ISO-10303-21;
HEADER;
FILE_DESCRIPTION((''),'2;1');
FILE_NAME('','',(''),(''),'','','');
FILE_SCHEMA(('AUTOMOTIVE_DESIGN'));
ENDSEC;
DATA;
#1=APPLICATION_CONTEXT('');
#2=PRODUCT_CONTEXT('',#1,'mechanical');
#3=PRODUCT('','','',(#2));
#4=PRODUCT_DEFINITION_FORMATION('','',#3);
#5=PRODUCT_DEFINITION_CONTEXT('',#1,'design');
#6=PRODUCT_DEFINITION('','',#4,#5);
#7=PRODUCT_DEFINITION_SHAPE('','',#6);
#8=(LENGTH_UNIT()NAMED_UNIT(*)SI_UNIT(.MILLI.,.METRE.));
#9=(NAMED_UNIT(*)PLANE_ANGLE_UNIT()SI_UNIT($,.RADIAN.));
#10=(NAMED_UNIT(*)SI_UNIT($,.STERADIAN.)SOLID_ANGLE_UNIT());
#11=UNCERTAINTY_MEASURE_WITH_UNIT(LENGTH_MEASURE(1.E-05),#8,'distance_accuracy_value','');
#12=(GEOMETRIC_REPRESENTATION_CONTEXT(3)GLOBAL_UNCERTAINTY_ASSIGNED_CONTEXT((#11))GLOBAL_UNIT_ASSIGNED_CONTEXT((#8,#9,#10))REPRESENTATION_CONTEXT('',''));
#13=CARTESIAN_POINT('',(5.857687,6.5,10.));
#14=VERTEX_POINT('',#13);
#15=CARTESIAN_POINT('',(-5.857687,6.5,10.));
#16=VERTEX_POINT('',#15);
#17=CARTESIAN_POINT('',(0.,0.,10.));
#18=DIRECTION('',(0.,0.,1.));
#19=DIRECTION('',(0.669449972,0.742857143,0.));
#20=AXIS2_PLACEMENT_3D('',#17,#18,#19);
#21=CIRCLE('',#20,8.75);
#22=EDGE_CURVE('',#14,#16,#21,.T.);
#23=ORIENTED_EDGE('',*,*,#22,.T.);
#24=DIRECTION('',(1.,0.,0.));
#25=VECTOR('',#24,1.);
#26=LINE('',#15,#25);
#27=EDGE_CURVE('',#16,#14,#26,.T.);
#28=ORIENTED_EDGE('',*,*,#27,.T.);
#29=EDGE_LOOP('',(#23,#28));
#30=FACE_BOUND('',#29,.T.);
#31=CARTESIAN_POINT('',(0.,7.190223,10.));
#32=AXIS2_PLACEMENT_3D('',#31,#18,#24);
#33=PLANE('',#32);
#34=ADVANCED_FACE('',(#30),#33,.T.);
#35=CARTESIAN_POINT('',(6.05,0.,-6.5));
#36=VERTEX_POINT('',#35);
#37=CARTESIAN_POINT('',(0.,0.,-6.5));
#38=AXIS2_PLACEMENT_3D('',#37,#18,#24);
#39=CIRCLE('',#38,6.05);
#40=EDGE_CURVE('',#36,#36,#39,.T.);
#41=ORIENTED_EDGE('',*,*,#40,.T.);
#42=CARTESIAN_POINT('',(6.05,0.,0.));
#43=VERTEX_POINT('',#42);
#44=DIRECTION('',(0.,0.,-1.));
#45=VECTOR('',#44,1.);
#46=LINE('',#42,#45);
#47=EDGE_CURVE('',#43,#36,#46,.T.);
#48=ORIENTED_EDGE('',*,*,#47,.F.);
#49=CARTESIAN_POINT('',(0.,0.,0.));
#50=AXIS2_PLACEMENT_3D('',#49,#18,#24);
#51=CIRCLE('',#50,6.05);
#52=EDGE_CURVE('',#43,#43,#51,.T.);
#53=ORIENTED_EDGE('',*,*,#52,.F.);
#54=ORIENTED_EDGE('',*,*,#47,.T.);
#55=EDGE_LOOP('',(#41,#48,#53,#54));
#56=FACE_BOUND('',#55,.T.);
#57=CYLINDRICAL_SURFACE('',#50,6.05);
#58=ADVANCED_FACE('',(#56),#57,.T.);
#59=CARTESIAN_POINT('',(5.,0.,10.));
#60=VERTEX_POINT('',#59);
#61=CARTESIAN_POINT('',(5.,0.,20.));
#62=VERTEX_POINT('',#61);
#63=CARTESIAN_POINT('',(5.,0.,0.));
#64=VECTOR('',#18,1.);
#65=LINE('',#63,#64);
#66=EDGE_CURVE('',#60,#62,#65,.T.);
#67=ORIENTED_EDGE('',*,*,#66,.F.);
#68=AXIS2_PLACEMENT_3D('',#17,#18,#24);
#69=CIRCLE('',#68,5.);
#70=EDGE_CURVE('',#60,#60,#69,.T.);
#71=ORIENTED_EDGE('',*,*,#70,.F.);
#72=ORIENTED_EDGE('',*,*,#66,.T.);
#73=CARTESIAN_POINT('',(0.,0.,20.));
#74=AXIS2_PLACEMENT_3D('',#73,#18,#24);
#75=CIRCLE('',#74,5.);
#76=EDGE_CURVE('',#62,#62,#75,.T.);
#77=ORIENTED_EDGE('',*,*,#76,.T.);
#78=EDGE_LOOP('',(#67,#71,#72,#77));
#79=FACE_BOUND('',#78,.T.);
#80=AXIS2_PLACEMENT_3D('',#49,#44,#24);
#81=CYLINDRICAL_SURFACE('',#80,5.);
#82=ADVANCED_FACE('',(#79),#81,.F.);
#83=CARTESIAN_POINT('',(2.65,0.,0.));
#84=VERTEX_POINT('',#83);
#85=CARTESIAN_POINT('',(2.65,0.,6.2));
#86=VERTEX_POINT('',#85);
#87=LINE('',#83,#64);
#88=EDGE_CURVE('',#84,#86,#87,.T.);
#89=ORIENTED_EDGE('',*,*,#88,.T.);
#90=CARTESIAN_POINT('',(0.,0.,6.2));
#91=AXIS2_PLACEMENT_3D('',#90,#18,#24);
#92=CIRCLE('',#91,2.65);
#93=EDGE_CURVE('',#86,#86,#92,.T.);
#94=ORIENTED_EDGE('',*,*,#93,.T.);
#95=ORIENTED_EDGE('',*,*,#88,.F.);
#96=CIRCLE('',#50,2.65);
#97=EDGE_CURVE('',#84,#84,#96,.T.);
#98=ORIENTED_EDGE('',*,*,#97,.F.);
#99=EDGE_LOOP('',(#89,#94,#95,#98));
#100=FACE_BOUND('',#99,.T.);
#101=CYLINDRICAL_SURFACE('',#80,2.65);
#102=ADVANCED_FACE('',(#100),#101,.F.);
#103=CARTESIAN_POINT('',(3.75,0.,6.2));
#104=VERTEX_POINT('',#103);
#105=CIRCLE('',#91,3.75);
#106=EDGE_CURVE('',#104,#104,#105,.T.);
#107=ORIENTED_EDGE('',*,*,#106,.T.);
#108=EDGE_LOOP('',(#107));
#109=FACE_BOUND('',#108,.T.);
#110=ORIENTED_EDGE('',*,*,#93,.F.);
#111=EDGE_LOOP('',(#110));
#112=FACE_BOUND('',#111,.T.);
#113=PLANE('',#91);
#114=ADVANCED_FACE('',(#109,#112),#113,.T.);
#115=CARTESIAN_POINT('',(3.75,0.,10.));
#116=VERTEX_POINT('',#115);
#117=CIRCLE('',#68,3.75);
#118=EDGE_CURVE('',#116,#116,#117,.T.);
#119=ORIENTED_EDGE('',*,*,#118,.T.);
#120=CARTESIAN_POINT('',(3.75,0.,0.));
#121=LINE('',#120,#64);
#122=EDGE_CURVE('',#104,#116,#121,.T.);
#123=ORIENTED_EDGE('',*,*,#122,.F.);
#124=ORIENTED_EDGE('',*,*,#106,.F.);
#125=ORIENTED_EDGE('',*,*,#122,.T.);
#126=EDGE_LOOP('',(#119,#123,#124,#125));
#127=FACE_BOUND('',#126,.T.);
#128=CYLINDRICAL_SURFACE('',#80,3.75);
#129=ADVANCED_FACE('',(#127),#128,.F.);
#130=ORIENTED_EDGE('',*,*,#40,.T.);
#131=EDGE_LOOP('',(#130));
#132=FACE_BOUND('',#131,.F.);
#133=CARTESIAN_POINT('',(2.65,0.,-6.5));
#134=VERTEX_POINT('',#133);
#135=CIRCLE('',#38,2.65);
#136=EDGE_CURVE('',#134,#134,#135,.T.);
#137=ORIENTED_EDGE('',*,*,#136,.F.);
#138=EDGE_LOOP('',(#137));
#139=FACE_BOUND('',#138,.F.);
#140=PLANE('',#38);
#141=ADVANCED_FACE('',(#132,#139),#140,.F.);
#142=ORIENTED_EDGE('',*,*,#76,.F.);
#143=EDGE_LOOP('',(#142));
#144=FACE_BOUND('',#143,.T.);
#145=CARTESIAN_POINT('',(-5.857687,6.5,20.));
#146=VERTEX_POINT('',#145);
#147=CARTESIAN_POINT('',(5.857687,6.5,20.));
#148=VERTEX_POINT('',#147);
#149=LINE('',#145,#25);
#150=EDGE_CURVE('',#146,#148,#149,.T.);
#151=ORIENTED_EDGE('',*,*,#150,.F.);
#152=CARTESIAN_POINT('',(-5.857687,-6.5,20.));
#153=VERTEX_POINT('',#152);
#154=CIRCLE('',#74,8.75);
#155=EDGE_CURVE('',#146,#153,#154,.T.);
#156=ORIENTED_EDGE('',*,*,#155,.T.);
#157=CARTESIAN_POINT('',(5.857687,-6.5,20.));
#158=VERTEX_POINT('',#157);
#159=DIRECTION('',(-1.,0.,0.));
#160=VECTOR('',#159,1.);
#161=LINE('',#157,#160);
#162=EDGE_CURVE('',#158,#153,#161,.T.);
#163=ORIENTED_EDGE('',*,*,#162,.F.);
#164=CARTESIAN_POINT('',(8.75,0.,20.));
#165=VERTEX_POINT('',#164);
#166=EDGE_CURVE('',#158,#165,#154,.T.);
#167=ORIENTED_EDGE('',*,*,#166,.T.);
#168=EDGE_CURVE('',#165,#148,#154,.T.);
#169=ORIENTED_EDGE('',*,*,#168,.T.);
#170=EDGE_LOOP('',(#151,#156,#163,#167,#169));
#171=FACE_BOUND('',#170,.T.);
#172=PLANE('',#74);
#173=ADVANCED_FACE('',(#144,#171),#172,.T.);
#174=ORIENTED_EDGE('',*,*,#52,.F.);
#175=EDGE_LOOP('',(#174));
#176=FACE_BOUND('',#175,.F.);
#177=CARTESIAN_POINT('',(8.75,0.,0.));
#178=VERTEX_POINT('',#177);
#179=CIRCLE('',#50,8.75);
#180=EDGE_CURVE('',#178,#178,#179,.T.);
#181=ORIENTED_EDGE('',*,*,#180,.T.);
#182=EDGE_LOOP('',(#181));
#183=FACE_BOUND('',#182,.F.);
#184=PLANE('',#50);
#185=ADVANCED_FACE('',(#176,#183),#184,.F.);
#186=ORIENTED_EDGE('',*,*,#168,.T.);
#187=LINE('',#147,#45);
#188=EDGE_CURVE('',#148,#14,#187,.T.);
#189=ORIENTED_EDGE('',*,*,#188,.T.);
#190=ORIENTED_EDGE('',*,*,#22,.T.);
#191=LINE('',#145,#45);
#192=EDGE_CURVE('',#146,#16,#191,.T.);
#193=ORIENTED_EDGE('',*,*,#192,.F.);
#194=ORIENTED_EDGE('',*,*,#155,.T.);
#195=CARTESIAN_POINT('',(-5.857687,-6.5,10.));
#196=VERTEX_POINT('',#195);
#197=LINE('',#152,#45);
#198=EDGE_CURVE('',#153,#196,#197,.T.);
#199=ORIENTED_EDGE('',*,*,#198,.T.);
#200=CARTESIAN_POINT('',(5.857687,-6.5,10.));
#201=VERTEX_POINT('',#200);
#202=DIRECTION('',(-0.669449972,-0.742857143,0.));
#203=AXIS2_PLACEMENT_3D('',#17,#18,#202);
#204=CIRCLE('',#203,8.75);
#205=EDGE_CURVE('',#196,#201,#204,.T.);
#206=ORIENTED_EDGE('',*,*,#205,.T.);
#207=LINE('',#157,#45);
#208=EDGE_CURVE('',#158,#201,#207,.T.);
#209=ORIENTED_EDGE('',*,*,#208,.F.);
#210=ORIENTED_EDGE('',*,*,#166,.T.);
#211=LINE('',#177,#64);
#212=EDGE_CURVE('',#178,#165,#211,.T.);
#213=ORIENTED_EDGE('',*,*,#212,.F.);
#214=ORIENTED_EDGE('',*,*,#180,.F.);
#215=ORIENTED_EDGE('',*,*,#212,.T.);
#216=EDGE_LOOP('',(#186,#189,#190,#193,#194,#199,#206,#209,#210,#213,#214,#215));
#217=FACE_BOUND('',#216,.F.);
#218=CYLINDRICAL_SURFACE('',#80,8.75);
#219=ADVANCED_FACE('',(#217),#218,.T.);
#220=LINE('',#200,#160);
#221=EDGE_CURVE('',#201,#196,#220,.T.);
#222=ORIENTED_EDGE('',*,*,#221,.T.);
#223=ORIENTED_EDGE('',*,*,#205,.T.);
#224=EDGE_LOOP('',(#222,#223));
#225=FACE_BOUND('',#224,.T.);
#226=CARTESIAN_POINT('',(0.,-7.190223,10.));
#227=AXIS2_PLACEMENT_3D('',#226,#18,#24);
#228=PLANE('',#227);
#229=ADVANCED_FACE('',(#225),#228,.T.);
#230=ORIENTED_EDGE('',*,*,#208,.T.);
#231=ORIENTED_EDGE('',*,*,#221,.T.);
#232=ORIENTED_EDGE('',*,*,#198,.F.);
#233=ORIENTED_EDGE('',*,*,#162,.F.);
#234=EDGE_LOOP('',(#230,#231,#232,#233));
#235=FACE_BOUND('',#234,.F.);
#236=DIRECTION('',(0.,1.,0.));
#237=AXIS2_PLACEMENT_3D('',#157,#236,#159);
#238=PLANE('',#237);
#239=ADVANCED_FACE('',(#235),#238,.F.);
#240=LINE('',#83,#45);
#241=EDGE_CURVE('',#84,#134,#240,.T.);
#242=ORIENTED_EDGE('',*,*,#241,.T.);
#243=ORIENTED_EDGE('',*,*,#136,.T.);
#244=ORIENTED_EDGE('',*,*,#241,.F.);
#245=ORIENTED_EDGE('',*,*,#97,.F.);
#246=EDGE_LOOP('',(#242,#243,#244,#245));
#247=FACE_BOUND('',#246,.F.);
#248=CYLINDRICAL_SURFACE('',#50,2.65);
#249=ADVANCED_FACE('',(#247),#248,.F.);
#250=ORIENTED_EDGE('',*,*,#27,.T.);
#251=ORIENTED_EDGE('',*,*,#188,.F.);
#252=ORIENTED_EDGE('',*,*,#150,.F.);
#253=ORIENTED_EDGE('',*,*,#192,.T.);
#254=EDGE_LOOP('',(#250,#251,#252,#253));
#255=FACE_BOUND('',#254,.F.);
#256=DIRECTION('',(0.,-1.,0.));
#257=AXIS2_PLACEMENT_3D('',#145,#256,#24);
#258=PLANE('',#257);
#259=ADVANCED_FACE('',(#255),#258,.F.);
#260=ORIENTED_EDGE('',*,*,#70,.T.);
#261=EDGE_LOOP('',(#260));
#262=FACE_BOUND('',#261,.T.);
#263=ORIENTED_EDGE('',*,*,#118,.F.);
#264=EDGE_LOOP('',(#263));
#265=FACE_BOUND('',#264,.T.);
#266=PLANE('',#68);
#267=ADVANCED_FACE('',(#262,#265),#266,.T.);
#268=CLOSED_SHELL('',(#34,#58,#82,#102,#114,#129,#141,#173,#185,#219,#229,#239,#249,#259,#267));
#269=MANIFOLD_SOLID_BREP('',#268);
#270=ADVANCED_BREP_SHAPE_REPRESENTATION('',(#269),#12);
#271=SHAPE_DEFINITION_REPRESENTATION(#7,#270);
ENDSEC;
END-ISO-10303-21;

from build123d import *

# Parameters (mm, degrees)
F0_R     = 8.75
F0_R_2   = 6.05
F0_R_3   = 5
F1_DEPTH = 20
F0_R_4   = 3.75
F2_DEPTH = 10
F0_R_5   = 2.65
F3_DEPTH = 6.2
F5_DEPTH = 10
F6_DEPTH = 6.5


with BuildPart() as f1:
    # F0 (on Top) → F1 (new body)
    with BuildSketch(Plane.XY):
        Circle(F0_R)
        Circle(F0_R_2, mode=Mode.SUBTRACT)
        Circle(F0_R_2)
        Circle(F0_R_3, mode=Mode.SUBTRACT)
    extrude(amount=F1_DEPTH)

    # F4 (on face) → F5 (cut)
    with BuildSketch(Plane.XY.offset(20)):
        with BuildLine():
            ThreePointArc((-5.8576872569, -6.5), (0, -8.75), (5.8576872569, -6.5))
            Line((5.8576872569, -6.5), (-5.8576872569, -6.5))
        make_face()
        with BuildLine():
            Line((-5.8576872569, 6.5), (5.8576872569, 6.5))
            ThreePointArc((5.8576872569, 6.5), (0, 8.75), (-5.8576872569, 6.5))
        make_face()
    extrude(amount=-F5_DEPTH, mode=Mode.SUBTRACT)



with BuildPart() as f2:
    # F0 (on Top) → F2 (new body)
    with BuildSketch(Plane.XY):
        Circle(F0_R_3)
        Circle(F0_R_4, mode=Mode.SUBTRACT)
    extrude(amount=F2_DEPTH)

    # F0 (on Top) → F3 (join)
    with BuildSketch(Plane.XY):
        Circle(F0_R_4)
        Circle(F0_R_5, mode=Mode.SUBTRACT)
    extrude(amount=F3_DEPTH)


with BuildPart() as f1_1:
    add(f1.part)

    add(f2.part)  # F6 merges F2
    # F0 (on Top) → F6 (join)
    with BuildSketch(Plane.XY):
        Circle(F0_R_2)
        Circle(F0_R_3, mode=Mode.SUBTRACT)
        Circle(F0_R_3)
        Circle(F0_R_4, mode=Mode.SUBTRACT)
        Circle(F0_R_4)
        Circle(F0_R_5, mode=Mode.SUBTRACT)
    extrude(amount=-F6_DEPTH)


solid = f1_1.part
